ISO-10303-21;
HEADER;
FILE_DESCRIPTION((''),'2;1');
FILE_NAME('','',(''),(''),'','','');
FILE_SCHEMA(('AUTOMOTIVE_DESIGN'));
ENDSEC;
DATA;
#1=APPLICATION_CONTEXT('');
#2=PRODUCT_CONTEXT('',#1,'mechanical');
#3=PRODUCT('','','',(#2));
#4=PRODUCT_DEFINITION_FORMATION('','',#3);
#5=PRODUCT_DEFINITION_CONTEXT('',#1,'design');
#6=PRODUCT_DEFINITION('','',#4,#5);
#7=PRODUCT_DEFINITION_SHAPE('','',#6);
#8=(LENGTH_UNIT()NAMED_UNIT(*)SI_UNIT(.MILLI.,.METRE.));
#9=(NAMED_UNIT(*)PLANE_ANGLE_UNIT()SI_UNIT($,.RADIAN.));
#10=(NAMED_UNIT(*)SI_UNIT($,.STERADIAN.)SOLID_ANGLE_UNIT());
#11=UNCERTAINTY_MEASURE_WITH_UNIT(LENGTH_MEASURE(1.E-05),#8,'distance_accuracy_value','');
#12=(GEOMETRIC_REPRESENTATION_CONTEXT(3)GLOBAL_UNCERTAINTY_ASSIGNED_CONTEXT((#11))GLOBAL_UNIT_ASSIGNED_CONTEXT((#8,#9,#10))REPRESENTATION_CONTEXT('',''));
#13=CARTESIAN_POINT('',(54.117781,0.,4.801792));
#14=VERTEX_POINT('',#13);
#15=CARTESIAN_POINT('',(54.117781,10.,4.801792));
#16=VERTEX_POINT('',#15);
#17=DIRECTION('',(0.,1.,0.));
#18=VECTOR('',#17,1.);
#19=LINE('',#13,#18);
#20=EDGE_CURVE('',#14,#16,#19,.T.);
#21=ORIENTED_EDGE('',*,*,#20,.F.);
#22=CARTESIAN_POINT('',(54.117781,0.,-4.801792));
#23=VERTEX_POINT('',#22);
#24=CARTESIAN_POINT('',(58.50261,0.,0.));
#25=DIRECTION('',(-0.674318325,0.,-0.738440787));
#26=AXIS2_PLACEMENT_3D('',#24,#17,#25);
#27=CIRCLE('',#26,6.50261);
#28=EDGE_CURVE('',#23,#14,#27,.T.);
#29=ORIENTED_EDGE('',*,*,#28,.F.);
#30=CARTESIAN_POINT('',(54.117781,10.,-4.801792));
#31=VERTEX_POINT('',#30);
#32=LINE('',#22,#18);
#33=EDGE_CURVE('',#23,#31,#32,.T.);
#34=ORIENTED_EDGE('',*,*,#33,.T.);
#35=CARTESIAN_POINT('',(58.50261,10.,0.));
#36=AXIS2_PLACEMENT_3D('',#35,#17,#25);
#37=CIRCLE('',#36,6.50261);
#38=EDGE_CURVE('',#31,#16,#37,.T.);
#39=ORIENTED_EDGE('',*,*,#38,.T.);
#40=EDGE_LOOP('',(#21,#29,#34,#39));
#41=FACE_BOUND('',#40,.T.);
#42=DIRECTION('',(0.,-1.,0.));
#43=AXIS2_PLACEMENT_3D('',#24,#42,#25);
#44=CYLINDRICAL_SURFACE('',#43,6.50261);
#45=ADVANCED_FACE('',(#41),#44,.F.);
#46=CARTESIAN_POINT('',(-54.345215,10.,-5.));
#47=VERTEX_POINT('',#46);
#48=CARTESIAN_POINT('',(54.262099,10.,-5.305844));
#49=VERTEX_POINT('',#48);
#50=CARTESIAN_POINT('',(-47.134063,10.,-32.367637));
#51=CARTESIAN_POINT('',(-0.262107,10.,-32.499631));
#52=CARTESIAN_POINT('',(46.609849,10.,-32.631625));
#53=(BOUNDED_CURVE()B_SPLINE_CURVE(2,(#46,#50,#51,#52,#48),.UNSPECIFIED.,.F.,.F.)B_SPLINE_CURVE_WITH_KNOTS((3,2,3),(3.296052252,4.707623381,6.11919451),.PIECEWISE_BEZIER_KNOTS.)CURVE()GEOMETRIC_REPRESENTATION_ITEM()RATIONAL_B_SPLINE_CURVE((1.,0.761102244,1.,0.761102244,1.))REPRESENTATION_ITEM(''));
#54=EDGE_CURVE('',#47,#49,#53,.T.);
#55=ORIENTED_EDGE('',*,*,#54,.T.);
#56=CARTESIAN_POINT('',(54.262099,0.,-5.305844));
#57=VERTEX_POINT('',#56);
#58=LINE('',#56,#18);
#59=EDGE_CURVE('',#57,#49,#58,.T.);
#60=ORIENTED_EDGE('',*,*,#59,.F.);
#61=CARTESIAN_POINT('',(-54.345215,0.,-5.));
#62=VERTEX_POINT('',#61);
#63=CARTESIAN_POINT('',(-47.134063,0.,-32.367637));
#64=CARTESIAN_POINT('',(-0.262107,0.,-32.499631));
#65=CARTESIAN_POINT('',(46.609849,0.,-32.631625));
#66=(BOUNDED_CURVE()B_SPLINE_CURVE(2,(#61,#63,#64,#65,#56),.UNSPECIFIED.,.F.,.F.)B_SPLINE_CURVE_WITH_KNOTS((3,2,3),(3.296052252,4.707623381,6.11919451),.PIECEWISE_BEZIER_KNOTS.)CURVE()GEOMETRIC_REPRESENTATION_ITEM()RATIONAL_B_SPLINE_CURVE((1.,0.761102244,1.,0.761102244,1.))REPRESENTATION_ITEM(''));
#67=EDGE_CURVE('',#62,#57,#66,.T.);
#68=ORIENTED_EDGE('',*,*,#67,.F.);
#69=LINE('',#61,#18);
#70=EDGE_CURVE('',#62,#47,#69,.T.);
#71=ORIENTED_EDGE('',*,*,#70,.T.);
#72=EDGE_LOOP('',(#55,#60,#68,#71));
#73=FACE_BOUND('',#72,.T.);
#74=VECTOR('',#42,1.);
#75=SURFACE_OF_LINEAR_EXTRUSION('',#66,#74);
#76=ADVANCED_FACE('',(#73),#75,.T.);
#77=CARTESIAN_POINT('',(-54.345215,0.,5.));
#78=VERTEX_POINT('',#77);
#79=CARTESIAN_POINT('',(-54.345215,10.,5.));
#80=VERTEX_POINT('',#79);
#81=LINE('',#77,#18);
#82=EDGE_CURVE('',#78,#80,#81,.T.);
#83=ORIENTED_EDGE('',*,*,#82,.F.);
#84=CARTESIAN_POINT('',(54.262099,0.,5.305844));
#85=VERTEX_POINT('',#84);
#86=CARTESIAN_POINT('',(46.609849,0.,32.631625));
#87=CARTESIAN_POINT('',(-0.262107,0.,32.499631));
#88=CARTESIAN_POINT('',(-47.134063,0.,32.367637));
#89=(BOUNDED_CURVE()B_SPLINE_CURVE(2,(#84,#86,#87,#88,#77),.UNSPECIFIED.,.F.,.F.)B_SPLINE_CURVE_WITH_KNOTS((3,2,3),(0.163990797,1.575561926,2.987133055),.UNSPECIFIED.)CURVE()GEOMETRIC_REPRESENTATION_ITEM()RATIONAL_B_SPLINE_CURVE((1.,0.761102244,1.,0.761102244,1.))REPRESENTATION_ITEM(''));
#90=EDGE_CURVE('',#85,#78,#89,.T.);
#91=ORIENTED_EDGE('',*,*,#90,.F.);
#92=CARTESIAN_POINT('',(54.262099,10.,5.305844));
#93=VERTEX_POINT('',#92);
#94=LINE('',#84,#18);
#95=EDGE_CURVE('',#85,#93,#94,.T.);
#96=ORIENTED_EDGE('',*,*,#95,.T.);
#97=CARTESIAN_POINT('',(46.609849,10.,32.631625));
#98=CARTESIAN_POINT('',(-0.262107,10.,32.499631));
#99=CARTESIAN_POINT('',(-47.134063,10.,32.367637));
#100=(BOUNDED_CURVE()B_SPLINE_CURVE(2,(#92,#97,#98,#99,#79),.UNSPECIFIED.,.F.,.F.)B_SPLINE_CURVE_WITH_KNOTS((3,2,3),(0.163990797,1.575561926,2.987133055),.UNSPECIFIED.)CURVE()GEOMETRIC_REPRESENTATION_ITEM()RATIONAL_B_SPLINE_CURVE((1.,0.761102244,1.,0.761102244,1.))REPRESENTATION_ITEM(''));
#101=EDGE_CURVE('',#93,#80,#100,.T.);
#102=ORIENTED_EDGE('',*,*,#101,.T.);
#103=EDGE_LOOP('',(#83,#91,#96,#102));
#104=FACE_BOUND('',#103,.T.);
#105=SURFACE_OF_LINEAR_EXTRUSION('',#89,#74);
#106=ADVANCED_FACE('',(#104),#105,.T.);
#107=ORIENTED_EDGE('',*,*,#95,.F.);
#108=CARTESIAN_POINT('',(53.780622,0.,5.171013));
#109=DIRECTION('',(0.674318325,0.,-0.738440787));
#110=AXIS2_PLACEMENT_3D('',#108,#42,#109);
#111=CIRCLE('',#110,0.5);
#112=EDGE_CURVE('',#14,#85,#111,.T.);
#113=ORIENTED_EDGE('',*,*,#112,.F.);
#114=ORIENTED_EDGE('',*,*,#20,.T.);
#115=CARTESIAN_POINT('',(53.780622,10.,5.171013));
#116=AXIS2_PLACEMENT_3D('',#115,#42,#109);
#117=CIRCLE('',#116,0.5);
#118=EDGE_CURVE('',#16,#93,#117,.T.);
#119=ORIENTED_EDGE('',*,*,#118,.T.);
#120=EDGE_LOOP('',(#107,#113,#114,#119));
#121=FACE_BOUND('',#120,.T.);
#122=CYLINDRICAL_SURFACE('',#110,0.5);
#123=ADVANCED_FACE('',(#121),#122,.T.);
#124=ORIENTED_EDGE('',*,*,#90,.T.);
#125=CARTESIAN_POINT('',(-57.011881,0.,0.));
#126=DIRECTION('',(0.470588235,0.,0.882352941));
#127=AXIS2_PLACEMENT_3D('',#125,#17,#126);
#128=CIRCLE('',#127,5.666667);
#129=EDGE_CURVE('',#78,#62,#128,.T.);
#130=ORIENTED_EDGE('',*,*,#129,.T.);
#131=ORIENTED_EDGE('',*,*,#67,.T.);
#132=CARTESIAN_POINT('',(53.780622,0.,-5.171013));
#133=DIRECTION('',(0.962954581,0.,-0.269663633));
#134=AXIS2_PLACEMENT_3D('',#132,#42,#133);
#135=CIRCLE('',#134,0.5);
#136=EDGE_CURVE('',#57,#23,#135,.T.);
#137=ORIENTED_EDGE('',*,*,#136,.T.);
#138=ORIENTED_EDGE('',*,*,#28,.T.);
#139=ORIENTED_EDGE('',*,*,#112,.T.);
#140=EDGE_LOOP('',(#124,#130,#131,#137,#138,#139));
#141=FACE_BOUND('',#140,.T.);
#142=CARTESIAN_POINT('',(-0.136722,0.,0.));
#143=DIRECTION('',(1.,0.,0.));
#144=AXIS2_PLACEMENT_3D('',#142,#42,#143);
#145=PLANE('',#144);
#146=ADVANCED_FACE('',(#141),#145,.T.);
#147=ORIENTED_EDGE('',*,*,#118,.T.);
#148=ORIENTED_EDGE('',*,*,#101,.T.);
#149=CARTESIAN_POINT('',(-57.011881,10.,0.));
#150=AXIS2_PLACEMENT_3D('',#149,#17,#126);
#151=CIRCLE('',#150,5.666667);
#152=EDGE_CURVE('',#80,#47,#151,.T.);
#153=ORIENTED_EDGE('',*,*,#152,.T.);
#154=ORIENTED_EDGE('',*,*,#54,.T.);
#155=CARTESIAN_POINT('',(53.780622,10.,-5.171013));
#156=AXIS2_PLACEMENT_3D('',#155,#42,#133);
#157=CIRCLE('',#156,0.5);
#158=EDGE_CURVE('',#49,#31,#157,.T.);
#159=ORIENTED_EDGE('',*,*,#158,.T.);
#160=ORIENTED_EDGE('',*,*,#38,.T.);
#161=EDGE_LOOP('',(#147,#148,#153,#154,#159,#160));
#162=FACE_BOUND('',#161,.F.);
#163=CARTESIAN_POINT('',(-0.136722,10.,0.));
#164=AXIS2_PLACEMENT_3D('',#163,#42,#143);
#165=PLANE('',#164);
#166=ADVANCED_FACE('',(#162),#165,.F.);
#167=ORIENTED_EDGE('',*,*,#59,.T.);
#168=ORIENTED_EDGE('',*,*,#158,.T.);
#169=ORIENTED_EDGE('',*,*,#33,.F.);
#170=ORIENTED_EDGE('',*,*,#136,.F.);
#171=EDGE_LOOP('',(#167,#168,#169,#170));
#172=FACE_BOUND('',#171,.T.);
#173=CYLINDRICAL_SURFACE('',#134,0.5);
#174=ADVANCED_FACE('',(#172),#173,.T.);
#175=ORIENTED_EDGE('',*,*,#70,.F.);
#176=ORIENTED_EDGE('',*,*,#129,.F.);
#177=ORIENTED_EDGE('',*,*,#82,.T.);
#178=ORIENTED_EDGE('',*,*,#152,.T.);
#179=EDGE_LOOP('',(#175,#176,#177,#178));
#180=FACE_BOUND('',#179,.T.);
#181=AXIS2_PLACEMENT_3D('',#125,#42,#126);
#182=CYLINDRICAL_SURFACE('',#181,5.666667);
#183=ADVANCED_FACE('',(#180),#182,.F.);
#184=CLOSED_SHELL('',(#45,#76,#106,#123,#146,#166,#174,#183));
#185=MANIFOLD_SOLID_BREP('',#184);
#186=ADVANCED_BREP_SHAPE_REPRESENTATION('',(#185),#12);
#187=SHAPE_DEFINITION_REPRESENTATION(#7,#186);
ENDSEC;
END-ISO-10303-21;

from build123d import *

# Parameters (mm, degrees)
F1_DEPTH = 10


with BuildPart() as f1:
    # F0 (on Front) → F1 (new body)
    with BuildSketch(Plane.XZ):
        with BuildLine():
            ThreePointArc((54.117780805, 4.8017921968), (54.2613071615, 5.0333847163), (54.2620989329, 5.3058444072))
            add(Edge.make_bspline(
                [(54.2620989329, 5.3058444072), (46.6098488239, 32.6316250563), (-0.2621069626, 32.499630948), (-47.134062749, 32.3676368396), (-54.3452147559, 5)],
                knots=[0.1639907968, 0.1639907968, 0.1639907968, 1.575561926, 1.575561926, 2.9871330551, 2.9871330551, 2.9871330551], degree=2, weights=[1, 0.7611022444, 1, 0.7611022444, 1]))
            ThreePointArc((-54.3452147559, 5), (-51.3452147559, 0), (-54.3452147559, -5))
            add(Edge.make_bspline(
                [(-54.3452147559, -5), (-47.134062749, -32.3676368396), (-0.2621069626, -32.499630948), (46.6098488239, -32.6316250563), (54.2620989329, -5.3058444072)],
                knots=[3.2960522521, 3.2960522521, 3.2960522521, 4.7076233812, 4.7076233812, 6.1191945103, 6.1191945103, 6.1191945103], degree=2, weights=[1, 0.7611022444, 1, 0.7611022444, 1]))
            ThreePointArc((54.2620989329, -5.3058444072), (54.2613071615, -5.0333847163), (54.117780805, -4.8017921968))
            ThreePointArc((54.117780805, -4.8017921968), (52, 0), (54.117780805, 4.8017921968))
        make_face()
    extrude(amount=-F1_DEPTH)


solid = f1.part
